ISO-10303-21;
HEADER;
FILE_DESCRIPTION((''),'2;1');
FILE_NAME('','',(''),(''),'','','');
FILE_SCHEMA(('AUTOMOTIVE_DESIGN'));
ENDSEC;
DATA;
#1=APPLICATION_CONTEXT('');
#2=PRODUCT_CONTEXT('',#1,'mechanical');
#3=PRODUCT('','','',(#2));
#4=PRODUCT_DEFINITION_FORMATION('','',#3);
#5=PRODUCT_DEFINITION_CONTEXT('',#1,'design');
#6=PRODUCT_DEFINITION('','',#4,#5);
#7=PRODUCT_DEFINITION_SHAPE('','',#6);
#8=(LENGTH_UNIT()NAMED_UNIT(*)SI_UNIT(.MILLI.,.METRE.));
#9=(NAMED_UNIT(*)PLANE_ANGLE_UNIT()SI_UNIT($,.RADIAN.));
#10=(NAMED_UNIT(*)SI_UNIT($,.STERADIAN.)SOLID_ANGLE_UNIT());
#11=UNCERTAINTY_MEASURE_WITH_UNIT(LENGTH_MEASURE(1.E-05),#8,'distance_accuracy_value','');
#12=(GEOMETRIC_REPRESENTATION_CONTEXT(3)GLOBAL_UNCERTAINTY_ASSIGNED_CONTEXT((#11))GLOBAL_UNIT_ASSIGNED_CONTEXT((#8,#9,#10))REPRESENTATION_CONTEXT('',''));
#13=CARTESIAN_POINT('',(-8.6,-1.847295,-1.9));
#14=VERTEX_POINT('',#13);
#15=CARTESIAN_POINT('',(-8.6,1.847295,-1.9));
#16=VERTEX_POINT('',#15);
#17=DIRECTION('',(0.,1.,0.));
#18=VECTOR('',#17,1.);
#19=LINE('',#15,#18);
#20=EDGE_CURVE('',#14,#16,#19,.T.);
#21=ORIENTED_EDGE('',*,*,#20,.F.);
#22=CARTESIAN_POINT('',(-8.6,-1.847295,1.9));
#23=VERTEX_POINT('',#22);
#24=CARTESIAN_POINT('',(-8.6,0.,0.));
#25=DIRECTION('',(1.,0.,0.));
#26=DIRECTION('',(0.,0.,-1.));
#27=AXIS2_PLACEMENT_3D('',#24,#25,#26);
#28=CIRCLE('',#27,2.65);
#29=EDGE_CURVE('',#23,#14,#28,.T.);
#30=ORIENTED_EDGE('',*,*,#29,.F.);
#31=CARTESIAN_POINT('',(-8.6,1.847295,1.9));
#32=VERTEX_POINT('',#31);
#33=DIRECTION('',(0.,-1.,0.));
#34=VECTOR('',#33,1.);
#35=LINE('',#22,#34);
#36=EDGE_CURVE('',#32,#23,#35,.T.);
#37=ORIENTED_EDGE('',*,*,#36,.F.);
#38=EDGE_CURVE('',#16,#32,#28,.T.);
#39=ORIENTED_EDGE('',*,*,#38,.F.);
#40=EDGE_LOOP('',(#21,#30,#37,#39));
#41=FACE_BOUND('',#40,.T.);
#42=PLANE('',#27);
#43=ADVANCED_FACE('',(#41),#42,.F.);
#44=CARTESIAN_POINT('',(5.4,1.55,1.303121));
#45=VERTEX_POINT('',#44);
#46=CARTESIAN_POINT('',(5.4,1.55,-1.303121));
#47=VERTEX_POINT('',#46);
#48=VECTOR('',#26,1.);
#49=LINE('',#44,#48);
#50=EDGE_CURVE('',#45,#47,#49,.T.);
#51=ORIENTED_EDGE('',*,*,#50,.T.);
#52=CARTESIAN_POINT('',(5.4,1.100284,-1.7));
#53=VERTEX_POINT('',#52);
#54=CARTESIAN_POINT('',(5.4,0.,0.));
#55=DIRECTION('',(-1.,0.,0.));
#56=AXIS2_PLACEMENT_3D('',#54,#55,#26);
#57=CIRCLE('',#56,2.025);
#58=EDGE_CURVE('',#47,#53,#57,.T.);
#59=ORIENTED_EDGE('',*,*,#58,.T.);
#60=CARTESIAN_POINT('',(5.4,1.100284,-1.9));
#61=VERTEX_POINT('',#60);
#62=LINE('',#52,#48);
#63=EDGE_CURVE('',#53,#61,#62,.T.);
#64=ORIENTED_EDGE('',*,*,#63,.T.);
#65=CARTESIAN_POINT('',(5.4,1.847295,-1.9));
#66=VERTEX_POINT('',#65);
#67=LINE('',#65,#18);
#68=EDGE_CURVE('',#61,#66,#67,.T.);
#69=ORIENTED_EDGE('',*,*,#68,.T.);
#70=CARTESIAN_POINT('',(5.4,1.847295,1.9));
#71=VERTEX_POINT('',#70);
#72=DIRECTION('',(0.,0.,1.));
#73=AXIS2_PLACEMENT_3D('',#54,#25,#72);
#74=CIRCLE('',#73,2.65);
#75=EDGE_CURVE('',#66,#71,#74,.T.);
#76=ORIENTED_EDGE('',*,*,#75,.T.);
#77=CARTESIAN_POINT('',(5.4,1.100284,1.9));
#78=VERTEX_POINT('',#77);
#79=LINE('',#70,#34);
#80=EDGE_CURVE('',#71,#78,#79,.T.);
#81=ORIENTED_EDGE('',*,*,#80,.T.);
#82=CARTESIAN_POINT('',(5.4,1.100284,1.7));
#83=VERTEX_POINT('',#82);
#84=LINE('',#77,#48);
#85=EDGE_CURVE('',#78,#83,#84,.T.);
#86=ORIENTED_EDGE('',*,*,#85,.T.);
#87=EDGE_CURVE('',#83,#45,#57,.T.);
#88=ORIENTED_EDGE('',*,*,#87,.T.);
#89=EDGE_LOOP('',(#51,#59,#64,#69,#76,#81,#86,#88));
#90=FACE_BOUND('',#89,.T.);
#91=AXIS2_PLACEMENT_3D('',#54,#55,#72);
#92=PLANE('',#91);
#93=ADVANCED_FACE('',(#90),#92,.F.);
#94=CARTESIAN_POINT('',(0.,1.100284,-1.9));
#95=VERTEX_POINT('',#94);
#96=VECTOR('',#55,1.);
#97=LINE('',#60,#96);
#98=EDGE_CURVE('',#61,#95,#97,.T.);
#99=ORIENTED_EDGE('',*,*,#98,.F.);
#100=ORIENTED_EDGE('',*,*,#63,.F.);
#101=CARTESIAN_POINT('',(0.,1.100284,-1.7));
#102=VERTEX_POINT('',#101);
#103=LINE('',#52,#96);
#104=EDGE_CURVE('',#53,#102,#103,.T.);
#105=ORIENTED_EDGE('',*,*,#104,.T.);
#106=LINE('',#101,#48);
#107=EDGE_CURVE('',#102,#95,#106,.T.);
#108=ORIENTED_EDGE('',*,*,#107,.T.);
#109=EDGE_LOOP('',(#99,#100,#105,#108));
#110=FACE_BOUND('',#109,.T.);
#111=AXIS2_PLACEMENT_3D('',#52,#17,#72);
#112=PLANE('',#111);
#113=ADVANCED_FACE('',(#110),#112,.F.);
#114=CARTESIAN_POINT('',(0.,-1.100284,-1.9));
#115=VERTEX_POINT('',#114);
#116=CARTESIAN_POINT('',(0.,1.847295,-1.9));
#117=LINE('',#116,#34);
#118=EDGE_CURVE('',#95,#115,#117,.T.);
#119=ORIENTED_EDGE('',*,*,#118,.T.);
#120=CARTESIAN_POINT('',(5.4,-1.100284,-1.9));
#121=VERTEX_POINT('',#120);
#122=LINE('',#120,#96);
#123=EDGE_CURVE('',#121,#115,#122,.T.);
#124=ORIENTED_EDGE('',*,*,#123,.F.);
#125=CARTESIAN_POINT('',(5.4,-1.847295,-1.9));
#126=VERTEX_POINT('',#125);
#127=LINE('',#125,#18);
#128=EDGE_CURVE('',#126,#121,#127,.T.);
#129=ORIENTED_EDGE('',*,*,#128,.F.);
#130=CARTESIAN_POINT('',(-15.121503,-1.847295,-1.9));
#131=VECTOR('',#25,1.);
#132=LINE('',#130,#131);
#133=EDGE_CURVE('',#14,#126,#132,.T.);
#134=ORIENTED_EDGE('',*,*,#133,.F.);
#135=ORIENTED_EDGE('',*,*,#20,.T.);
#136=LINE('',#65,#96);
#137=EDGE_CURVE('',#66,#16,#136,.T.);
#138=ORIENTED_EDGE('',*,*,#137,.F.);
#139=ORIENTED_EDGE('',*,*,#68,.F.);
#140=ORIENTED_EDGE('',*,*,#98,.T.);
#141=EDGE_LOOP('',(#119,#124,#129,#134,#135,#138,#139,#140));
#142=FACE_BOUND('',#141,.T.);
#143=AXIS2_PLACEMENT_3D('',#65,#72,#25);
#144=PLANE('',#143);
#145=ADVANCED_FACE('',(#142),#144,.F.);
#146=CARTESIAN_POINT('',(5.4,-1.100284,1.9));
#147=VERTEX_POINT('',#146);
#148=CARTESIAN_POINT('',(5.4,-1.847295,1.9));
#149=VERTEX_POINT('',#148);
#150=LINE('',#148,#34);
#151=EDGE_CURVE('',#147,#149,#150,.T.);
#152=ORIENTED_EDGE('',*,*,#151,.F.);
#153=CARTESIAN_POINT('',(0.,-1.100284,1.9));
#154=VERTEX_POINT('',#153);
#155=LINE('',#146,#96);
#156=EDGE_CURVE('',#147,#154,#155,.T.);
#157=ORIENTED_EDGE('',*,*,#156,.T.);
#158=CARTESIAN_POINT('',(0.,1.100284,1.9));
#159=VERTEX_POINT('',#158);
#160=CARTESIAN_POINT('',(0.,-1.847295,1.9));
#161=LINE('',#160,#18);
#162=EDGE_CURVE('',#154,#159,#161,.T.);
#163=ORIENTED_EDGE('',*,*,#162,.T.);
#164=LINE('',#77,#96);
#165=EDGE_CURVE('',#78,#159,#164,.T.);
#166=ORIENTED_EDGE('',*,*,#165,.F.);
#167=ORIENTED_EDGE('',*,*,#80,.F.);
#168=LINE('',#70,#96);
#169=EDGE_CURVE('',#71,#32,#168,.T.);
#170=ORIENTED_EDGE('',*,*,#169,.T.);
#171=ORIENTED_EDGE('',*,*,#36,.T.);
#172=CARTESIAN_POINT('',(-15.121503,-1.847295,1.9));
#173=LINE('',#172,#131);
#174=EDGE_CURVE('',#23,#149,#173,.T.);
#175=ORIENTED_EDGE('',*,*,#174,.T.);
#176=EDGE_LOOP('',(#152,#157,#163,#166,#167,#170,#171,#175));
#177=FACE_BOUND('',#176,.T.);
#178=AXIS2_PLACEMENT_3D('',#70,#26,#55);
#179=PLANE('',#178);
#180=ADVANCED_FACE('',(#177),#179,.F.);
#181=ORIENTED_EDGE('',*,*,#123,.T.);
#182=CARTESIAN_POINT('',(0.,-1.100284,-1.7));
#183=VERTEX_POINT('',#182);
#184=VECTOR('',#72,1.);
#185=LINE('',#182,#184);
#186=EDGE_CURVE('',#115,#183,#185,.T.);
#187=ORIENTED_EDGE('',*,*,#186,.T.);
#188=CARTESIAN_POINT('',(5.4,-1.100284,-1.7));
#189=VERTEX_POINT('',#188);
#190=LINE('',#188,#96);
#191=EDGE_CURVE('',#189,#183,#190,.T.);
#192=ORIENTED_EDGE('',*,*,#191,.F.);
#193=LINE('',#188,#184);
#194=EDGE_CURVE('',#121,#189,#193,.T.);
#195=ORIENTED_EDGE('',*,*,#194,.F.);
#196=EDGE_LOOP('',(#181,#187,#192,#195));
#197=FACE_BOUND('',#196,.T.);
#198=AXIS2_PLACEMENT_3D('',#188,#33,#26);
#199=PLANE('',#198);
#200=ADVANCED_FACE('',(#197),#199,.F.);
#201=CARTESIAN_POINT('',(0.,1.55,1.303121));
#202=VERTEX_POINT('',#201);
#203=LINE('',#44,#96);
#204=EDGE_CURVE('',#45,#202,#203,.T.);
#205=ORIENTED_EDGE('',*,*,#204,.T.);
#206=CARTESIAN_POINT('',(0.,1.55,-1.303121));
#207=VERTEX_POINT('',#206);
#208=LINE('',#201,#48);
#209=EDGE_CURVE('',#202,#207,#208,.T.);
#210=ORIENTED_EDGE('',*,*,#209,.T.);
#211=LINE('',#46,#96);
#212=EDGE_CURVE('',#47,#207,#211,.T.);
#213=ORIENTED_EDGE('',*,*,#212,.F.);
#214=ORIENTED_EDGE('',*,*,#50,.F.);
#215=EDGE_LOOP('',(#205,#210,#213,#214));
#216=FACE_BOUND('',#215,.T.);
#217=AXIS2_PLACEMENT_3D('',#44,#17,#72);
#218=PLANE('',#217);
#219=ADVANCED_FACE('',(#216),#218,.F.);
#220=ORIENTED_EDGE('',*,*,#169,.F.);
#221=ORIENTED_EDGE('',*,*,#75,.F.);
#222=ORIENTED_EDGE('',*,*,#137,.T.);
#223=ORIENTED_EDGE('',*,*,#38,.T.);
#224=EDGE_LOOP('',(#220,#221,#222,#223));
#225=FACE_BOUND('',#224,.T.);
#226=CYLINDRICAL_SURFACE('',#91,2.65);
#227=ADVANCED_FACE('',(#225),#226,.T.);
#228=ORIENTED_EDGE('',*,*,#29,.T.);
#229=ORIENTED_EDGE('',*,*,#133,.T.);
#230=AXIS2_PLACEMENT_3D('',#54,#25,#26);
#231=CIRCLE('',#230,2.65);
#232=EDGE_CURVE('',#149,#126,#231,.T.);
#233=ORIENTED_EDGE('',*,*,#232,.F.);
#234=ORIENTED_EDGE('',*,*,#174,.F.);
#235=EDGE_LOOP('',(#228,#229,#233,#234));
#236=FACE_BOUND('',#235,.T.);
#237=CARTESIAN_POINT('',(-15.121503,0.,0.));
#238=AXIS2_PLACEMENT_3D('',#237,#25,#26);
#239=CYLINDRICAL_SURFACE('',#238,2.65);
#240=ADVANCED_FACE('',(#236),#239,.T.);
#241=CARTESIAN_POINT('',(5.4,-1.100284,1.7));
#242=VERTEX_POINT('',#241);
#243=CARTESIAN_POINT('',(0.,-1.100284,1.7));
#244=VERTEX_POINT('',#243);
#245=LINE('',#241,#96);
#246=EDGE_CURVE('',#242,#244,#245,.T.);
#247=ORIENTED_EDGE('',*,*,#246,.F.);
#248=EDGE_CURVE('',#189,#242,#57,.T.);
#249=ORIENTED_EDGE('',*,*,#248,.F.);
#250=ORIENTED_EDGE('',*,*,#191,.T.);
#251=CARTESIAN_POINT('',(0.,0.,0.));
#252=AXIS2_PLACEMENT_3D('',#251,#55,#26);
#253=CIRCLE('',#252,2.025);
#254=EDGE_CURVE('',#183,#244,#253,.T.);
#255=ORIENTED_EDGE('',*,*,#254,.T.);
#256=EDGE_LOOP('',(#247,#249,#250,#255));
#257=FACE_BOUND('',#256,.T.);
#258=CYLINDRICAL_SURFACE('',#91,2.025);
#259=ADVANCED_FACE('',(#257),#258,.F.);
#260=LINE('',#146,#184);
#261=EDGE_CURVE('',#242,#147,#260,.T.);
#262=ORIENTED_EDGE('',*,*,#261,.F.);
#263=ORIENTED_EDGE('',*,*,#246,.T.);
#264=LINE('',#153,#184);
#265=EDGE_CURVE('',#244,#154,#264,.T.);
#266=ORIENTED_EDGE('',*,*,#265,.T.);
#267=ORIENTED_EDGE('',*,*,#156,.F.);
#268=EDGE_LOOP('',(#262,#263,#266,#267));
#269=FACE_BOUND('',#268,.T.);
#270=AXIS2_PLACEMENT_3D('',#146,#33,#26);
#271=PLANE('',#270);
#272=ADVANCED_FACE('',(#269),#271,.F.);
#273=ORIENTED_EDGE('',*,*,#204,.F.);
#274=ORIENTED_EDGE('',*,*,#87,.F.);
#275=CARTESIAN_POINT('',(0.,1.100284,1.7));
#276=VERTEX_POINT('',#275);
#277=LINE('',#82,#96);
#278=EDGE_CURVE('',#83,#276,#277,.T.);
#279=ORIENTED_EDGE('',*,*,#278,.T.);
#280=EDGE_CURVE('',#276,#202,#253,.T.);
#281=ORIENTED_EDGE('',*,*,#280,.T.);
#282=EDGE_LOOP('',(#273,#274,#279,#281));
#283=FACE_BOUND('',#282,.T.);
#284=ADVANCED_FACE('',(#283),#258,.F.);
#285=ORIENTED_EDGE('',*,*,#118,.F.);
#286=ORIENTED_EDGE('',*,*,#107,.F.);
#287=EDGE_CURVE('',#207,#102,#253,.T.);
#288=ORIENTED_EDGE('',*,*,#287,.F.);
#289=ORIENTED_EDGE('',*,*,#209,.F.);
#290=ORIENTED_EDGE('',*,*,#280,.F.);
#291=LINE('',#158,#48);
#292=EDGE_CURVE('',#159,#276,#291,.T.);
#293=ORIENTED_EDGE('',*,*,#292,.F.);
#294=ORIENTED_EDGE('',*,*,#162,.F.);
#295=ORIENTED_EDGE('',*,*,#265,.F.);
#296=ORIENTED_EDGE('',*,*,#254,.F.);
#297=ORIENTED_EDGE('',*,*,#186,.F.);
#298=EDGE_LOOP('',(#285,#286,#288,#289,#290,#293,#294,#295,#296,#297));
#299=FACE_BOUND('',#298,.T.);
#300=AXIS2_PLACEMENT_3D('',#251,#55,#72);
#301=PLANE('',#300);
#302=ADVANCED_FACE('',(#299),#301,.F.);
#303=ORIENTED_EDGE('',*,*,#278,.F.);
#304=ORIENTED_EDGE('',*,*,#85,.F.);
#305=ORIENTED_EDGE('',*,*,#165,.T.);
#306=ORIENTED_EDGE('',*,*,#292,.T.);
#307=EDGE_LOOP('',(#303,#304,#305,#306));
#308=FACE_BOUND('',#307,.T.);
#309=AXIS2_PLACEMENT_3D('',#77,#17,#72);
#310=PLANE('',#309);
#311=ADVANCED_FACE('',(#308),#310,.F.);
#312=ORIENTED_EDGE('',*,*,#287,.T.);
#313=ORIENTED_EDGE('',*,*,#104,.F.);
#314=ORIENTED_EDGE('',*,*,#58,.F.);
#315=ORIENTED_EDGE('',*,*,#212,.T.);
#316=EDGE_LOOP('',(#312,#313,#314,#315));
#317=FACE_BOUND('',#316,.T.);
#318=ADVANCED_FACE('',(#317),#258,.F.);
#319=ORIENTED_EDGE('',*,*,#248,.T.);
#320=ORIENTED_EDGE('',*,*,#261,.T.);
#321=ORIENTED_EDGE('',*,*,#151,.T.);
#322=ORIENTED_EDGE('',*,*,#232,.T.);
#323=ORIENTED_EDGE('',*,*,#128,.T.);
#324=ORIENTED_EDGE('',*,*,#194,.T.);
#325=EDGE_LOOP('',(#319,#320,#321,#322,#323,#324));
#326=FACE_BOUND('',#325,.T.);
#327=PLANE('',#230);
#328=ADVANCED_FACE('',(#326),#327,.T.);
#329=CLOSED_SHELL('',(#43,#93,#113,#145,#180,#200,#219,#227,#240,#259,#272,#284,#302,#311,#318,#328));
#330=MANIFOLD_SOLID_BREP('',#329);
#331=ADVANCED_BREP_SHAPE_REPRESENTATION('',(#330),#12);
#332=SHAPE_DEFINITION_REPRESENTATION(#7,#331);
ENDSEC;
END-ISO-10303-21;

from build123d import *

# Parameters (mm, degrees)
BOSS_EXTRUDE1_DEPTH   = 5.4
BOSS_EXTRUDE1_2_DEPTH = 5.4
BOSS_EXTRUDE2_START   = 8.6
BOSS_EXTRUDE2_DEPTH   = 8.6


with BuildPart() as part:
    # Sketch2 → Boss-Extrude1 (new body)
    with BuildSketch(Plane(origin=(0, 0, 0), x_dir=(0, 0, -1), z_dir=(1, 0, 0))):
        with BuildLine():
            Line((-1.9, -1.84729532), (-1.9, -1.100284054))
            Line((-1.9, -1.100284054), (-1.7, -1.100284054))
            ThreePointArc((-1.7, -1.100284054), (0, -2.025), (1.7, -1.100284054))
            Line((1.7, -1.100284054), (1.9, -1.100284054))
            Line((1.9, -1.100284054), (1.9, -1.84729532))
            ThreePointArc((1.9, -1.84729532), (0, -2.65), (-1.9, -1.84729532))
        make_face()
    extrude(amount=BOSS_EXTRUDE1_DEPTH)



with BuildPart() as body_2:
    # Sketch2 → Boss-Extrude1 2 (new body)
    with BuildSketch(Plane(origin=(0, 0, 0), x_dir=(0, 0, -1), z_dir=(1, 0, 0))):
        with BuildLine():
            Line((-1.9, 1.84729532), (-1.9, 1.100284054))
            Line((-1.9, 1.100284054), (-1.7, 1.100284054))
            ThreePointArc((-1.7, 1.100284054), (-1.518303469, 1.33991775), (-1.303121253, 1.55))
            Line((-1.303121253, 1.55), (1.303121253, 1.55))
            ThreePointArc((1.303121253, 1.55), (1.518303469, 1.33991775), (1.7, 1.100284054))
            Line((1.7, 1.100284054), (1.9, 1.100284054))
            Line((1.9, 1.100284054), (1.9, 1.84729532))
            ThreePointArc((1.9, 1.84729532), (0, 2.65), (-1.9, 1.84729532))
        make_face()
    extrude(amount=BOSS_EXTRUDE1_2_DEPTH)


with BuildPart() as part_1:
    add(part.part)

    add(body_2.part)  # Boss-Extrude2 merges body 2
    # Sketch3 → Boss-Extrude2 (add)
    with BuildSketch(Plane.ZY.offset(BOSS_EXTRUDE2_START)):
        with BuildLine():
            Line((1.9, -1.84729532), (1.9, 1.84729532))
            ThreePointArc((1.9, 1.84729532), (0, 2.65), (-1.9, 1.84729532))
            Line((-1.9, 1.84729532), (-1.9, -1.84729532))
            ThreePointArc((-1.9, -1.84729532), (0, -2.65), (1.9, -1.84729532))
        make_face()
    extrude(amount=-BOSS_EXTRUDE2_DEPTH)


solid = part_1.part
